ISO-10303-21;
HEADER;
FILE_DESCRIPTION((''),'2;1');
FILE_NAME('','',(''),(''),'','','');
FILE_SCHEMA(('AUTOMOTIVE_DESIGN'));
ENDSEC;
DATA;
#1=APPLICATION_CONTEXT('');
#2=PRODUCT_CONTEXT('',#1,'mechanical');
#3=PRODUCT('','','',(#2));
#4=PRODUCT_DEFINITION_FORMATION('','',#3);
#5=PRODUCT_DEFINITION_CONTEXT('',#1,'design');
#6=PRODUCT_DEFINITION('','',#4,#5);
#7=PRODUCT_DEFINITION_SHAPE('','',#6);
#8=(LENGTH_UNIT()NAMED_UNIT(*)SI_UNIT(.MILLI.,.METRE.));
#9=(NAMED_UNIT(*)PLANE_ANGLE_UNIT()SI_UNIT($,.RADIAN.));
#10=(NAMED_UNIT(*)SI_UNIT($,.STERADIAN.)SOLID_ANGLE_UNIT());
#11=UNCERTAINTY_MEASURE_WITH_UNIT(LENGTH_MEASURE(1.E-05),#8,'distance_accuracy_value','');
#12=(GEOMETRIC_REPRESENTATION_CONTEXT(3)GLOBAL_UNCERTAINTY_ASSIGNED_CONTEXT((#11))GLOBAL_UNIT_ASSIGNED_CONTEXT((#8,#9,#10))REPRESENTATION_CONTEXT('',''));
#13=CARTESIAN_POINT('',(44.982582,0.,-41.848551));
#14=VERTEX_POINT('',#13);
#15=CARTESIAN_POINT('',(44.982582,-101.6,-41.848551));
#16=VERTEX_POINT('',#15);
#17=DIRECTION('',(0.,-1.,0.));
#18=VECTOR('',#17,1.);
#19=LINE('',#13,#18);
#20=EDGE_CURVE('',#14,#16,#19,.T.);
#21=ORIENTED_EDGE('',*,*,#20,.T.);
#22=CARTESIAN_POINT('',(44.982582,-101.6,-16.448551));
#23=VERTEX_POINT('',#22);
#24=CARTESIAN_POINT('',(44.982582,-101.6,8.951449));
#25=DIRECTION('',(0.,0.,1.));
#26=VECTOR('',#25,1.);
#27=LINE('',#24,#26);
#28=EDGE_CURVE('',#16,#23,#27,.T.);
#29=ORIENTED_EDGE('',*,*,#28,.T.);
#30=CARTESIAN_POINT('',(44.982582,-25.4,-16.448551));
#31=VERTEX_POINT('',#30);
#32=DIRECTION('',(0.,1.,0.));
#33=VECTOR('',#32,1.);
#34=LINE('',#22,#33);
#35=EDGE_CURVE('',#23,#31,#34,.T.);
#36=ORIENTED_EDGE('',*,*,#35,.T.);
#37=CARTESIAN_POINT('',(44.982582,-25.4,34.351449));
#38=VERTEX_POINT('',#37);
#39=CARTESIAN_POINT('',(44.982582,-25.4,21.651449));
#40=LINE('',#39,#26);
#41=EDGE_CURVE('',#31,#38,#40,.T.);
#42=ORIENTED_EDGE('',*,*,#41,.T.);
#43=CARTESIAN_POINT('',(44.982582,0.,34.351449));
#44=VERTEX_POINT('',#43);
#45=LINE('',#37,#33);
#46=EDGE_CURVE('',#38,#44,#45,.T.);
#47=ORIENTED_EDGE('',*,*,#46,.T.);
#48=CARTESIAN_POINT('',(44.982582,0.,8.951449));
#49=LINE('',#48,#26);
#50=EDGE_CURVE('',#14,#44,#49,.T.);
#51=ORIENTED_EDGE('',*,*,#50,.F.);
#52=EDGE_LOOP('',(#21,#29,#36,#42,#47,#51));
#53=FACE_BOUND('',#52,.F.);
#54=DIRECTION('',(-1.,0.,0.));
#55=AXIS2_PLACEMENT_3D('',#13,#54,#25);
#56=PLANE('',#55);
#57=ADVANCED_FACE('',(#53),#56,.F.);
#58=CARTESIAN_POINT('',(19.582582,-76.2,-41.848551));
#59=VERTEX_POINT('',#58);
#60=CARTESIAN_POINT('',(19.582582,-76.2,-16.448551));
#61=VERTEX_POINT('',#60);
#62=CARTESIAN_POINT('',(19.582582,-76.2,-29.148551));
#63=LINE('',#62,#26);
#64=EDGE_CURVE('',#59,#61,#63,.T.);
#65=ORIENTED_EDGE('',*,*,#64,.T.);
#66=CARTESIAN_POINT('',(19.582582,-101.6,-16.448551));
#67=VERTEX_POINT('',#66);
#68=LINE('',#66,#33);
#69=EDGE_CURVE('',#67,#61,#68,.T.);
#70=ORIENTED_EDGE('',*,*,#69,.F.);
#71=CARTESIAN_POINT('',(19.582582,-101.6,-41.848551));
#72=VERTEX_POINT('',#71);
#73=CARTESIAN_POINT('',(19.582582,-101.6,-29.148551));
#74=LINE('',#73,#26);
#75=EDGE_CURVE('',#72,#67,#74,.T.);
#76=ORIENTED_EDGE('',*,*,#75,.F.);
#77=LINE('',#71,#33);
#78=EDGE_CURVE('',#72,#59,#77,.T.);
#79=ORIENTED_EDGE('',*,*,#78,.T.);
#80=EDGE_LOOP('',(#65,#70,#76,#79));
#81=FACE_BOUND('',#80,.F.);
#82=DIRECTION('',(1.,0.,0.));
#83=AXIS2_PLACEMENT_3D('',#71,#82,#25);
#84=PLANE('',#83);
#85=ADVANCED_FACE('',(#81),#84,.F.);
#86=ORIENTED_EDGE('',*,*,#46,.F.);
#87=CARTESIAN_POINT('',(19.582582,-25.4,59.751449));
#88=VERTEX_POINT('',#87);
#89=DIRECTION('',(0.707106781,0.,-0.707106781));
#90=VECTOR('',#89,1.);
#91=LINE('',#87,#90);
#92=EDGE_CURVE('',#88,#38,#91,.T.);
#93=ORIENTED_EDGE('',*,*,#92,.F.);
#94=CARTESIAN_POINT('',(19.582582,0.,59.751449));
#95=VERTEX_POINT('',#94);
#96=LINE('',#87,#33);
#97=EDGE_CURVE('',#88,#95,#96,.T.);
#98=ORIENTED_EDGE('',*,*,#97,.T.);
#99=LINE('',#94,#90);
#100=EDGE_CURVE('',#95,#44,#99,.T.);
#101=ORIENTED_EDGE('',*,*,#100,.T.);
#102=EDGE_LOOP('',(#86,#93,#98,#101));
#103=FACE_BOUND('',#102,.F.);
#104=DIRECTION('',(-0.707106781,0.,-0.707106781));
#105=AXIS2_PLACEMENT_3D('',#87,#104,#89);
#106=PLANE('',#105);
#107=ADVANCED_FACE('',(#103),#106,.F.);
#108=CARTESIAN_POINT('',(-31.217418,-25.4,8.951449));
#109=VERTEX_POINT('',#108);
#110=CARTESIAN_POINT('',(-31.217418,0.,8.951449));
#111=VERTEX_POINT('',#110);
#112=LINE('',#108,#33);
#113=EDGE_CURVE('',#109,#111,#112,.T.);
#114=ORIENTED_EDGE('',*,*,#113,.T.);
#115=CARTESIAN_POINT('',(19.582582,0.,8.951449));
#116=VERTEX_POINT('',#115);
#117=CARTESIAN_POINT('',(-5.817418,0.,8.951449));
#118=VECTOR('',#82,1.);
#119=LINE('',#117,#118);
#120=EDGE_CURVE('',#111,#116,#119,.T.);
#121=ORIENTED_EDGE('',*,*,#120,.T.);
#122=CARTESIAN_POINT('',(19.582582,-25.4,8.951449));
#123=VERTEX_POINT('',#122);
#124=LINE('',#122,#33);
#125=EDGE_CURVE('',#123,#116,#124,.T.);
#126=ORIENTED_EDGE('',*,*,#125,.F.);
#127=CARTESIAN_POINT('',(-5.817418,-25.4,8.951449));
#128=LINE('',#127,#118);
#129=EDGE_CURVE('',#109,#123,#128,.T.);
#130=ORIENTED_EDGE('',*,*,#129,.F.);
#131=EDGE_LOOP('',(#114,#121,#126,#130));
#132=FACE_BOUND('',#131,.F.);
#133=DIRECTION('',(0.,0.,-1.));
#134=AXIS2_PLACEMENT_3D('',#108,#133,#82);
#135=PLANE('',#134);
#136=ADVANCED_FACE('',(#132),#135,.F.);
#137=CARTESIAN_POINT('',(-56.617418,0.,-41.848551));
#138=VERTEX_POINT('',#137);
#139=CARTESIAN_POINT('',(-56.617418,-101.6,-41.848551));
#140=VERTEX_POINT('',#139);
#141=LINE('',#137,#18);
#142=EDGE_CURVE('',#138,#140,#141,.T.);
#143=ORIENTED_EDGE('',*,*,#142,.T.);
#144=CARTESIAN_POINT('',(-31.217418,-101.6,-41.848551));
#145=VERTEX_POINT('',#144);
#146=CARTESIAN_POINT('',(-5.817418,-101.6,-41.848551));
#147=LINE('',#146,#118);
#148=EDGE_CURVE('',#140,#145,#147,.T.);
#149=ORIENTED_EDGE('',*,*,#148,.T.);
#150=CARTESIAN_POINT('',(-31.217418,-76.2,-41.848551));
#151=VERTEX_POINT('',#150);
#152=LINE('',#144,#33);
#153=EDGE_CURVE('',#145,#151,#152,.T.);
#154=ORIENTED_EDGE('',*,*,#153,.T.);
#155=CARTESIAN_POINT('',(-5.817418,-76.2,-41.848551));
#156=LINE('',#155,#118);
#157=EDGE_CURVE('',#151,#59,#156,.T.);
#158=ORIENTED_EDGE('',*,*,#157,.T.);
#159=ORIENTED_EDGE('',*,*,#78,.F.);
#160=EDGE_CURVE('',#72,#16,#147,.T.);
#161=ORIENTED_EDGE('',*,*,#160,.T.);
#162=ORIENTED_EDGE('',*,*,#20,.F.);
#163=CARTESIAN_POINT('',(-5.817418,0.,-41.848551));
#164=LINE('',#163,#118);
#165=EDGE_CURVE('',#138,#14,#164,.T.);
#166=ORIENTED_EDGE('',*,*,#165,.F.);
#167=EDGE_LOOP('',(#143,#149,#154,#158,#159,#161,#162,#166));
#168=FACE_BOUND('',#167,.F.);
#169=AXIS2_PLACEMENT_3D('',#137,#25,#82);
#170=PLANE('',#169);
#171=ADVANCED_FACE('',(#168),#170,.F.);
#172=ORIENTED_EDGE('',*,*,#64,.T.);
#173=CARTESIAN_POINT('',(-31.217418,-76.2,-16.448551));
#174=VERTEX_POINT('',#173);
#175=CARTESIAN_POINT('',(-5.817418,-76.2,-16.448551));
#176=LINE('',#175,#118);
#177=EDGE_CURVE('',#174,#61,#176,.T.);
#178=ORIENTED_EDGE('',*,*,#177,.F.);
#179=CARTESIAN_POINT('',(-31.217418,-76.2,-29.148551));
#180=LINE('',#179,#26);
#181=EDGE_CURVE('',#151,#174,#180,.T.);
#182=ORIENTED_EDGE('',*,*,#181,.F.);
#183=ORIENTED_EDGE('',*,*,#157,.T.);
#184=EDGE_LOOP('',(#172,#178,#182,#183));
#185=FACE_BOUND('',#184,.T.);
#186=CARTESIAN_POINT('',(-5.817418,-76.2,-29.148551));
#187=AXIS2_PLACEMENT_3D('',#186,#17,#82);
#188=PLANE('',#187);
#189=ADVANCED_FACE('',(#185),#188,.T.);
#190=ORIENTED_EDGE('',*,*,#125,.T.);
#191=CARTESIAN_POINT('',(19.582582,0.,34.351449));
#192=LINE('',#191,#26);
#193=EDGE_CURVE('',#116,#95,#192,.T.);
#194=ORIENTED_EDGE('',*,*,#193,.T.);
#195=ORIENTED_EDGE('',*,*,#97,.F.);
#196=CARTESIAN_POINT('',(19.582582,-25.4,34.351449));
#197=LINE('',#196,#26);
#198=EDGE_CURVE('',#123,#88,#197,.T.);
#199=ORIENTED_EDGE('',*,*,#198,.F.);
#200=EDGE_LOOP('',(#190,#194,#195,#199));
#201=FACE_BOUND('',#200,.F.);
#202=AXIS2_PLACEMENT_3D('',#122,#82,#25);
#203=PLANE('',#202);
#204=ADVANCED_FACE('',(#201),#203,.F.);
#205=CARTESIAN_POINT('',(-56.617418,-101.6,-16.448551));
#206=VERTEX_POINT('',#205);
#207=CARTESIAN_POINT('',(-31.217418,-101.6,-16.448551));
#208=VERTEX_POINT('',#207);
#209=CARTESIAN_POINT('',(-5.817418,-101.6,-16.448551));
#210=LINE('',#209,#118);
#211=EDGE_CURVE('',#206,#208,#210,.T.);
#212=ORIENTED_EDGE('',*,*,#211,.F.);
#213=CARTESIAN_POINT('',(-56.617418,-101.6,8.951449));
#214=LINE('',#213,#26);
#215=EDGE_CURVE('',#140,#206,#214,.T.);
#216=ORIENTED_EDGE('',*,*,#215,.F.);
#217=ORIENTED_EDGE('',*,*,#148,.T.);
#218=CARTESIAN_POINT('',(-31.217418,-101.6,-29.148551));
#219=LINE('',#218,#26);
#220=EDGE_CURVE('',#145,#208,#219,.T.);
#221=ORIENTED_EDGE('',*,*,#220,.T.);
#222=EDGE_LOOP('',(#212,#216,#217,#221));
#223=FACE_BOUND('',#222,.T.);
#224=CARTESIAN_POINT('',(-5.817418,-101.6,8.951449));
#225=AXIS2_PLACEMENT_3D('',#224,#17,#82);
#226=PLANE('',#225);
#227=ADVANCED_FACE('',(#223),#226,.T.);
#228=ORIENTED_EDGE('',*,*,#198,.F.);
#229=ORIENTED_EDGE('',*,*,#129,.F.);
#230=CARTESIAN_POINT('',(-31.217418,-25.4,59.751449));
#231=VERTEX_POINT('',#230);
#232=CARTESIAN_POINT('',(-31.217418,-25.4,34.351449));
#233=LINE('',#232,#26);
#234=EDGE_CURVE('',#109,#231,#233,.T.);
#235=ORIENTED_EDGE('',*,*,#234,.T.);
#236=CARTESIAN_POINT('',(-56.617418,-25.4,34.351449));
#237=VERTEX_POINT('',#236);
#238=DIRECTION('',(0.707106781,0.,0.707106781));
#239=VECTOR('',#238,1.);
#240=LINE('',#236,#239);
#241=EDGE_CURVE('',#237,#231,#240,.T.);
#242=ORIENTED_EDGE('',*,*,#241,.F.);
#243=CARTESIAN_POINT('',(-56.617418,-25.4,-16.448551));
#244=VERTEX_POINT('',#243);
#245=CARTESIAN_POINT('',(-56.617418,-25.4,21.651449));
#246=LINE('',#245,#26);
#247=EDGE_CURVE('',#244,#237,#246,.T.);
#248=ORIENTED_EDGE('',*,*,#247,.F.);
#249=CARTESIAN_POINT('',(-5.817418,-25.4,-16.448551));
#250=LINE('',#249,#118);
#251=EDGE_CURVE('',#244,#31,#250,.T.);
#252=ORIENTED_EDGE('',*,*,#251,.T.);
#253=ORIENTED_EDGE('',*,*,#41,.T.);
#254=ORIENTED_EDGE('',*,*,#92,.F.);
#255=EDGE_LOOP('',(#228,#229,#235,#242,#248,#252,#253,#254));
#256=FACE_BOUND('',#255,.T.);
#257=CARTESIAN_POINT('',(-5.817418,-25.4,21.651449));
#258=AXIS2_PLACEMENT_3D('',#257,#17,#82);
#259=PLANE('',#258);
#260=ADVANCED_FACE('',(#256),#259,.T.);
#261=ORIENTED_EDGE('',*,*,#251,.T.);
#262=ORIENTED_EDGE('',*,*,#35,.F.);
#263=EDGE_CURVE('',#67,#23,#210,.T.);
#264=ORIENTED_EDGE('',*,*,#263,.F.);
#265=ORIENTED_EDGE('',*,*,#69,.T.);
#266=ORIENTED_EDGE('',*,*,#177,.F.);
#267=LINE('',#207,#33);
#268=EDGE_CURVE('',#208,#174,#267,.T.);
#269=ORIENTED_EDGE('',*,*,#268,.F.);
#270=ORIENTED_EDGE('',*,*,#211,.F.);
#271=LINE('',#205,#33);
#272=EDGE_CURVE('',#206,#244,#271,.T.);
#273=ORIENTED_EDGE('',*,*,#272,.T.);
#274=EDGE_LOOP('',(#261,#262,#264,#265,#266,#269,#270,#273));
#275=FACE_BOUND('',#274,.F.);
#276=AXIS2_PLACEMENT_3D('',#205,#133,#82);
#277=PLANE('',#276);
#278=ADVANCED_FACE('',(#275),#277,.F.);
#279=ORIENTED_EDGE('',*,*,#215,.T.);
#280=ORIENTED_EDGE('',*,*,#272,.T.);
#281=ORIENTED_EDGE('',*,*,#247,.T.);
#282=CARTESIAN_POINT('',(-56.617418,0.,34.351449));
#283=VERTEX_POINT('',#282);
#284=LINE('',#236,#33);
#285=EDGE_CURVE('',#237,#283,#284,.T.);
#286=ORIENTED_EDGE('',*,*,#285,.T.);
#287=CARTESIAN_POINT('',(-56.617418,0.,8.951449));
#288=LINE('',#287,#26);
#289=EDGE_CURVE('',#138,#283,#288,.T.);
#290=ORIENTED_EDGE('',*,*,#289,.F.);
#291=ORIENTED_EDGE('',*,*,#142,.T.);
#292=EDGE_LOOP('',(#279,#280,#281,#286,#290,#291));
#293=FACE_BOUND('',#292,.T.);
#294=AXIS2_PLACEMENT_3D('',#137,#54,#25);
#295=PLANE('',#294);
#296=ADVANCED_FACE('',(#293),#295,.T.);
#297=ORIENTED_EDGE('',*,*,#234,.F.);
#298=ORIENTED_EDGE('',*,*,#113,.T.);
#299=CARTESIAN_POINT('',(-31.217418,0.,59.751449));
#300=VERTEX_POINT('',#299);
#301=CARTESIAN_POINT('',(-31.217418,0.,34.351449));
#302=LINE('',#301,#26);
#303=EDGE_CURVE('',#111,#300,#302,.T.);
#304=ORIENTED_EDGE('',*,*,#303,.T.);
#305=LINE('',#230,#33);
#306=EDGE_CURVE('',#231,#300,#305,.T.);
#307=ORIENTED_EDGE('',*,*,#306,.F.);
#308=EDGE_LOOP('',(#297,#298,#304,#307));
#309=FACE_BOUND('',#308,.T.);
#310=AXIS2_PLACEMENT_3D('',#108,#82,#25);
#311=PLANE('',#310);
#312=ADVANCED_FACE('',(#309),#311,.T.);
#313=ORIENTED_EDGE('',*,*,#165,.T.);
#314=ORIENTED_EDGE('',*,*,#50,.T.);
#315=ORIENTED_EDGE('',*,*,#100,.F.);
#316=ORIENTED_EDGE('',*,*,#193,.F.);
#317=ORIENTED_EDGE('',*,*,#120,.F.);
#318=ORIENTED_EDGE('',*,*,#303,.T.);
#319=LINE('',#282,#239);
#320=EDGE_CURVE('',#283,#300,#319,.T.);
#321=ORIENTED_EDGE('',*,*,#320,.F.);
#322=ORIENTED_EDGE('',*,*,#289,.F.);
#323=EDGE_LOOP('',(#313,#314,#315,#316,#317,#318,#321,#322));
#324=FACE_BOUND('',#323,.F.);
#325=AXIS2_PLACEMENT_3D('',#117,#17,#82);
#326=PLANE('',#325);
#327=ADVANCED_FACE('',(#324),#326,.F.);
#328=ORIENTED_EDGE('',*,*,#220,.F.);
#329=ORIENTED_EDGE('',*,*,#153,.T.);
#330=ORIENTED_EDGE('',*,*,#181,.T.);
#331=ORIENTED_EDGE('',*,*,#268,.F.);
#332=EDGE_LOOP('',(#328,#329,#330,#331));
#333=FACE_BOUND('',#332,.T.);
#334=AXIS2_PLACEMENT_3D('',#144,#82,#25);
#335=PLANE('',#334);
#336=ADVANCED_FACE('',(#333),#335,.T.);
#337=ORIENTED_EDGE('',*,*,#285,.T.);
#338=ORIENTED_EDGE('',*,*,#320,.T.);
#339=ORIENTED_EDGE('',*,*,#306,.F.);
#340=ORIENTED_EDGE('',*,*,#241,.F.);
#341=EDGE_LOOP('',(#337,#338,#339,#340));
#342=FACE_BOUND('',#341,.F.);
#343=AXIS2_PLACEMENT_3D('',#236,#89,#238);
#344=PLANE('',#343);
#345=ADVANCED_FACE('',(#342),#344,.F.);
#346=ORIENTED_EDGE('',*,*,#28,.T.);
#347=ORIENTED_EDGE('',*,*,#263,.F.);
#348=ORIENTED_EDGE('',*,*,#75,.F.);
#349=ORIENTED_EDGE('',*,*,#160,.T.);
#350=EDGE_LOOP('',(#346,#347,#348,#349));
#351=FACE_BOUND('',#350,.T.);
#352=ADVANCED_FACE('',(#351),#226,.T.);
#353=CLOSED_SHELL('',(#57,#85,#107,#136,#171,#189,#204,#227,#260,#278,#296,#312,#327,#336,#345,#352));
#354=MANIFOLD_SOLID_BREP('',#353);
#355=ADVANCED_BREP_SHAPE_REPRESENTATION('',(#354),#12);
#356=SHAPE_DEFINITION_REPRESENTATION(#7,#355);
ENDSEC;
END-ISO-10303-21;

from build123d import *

# Parameters (mm, degrees)
F0_W     = 101.6
F0_H     = 101.6
F1_DEPTH = 101.6
F2_W     = 50.8
F2_H     = 25.4
F3_DEPTH = 25.4
F4_W     = 101.6
F4_H     = 76.2
F5_DEPTH = 76.2
F7_DEPTH = 25.4
F8_W     = 50.8
F8_H     = 50.8
F9_DEPTH = 25.4


with BuildPart() as f1:
    # F0 (on Front) → F1 (new body)
    with BuildSketch(Plane.XZ):
        with Locations((-5.817418, 8.951449)):
            Rectangle(F0_W, F0_H)
    extrude(amount=F1_DEPTH)

    # F2 (on face) → F3 (cut)
    with BuildSketch(Plane.XZ.offset(101.6)):
        with Locations((-5.817418, -29.148551)):
            Rectangle(F2_W, F2_H)
    extrude(amount=-F3_DEPTH, mode=Mode.SUBTRACT)

    # F4 (on face) → F5 (cut)
    with BuildSketch(Plane.XZ.offset(101.6)):
        with Locations((-5.817418, 21.651449)):
            Rectangle(F4_W, F4_H)
    extrude(amount=-F5_DEPTH, mode=Mode.SUBTRACT)

    # F6 (on face) → F7 (cut)
    with BuildSketch(Plane.XZ.offset(25.4)):
        Polygon((44.982582, 59.751449), (19.582582, 59.751449), (44.982582, 34.351449), align=None)
        Polygon((-31.217418, 59.751449), (-56.617418, 59.751449), (-56.617418, 34.351449), align=None)
    extrude(amount=-F7_DEPTH, mode=Mode.SUBTRACT)

    # F8 (on face) → F9 (cut)
    with BuildSketch(Plane.XZ.offset(25.4)):
        with Locations((-5.817418, 34.351449)):
            Rectangle(F8_W, F8_H)
    extrude(amount=-F9_DEPTH, mode=Mode.SUBTRACT)


solid = f1.part
